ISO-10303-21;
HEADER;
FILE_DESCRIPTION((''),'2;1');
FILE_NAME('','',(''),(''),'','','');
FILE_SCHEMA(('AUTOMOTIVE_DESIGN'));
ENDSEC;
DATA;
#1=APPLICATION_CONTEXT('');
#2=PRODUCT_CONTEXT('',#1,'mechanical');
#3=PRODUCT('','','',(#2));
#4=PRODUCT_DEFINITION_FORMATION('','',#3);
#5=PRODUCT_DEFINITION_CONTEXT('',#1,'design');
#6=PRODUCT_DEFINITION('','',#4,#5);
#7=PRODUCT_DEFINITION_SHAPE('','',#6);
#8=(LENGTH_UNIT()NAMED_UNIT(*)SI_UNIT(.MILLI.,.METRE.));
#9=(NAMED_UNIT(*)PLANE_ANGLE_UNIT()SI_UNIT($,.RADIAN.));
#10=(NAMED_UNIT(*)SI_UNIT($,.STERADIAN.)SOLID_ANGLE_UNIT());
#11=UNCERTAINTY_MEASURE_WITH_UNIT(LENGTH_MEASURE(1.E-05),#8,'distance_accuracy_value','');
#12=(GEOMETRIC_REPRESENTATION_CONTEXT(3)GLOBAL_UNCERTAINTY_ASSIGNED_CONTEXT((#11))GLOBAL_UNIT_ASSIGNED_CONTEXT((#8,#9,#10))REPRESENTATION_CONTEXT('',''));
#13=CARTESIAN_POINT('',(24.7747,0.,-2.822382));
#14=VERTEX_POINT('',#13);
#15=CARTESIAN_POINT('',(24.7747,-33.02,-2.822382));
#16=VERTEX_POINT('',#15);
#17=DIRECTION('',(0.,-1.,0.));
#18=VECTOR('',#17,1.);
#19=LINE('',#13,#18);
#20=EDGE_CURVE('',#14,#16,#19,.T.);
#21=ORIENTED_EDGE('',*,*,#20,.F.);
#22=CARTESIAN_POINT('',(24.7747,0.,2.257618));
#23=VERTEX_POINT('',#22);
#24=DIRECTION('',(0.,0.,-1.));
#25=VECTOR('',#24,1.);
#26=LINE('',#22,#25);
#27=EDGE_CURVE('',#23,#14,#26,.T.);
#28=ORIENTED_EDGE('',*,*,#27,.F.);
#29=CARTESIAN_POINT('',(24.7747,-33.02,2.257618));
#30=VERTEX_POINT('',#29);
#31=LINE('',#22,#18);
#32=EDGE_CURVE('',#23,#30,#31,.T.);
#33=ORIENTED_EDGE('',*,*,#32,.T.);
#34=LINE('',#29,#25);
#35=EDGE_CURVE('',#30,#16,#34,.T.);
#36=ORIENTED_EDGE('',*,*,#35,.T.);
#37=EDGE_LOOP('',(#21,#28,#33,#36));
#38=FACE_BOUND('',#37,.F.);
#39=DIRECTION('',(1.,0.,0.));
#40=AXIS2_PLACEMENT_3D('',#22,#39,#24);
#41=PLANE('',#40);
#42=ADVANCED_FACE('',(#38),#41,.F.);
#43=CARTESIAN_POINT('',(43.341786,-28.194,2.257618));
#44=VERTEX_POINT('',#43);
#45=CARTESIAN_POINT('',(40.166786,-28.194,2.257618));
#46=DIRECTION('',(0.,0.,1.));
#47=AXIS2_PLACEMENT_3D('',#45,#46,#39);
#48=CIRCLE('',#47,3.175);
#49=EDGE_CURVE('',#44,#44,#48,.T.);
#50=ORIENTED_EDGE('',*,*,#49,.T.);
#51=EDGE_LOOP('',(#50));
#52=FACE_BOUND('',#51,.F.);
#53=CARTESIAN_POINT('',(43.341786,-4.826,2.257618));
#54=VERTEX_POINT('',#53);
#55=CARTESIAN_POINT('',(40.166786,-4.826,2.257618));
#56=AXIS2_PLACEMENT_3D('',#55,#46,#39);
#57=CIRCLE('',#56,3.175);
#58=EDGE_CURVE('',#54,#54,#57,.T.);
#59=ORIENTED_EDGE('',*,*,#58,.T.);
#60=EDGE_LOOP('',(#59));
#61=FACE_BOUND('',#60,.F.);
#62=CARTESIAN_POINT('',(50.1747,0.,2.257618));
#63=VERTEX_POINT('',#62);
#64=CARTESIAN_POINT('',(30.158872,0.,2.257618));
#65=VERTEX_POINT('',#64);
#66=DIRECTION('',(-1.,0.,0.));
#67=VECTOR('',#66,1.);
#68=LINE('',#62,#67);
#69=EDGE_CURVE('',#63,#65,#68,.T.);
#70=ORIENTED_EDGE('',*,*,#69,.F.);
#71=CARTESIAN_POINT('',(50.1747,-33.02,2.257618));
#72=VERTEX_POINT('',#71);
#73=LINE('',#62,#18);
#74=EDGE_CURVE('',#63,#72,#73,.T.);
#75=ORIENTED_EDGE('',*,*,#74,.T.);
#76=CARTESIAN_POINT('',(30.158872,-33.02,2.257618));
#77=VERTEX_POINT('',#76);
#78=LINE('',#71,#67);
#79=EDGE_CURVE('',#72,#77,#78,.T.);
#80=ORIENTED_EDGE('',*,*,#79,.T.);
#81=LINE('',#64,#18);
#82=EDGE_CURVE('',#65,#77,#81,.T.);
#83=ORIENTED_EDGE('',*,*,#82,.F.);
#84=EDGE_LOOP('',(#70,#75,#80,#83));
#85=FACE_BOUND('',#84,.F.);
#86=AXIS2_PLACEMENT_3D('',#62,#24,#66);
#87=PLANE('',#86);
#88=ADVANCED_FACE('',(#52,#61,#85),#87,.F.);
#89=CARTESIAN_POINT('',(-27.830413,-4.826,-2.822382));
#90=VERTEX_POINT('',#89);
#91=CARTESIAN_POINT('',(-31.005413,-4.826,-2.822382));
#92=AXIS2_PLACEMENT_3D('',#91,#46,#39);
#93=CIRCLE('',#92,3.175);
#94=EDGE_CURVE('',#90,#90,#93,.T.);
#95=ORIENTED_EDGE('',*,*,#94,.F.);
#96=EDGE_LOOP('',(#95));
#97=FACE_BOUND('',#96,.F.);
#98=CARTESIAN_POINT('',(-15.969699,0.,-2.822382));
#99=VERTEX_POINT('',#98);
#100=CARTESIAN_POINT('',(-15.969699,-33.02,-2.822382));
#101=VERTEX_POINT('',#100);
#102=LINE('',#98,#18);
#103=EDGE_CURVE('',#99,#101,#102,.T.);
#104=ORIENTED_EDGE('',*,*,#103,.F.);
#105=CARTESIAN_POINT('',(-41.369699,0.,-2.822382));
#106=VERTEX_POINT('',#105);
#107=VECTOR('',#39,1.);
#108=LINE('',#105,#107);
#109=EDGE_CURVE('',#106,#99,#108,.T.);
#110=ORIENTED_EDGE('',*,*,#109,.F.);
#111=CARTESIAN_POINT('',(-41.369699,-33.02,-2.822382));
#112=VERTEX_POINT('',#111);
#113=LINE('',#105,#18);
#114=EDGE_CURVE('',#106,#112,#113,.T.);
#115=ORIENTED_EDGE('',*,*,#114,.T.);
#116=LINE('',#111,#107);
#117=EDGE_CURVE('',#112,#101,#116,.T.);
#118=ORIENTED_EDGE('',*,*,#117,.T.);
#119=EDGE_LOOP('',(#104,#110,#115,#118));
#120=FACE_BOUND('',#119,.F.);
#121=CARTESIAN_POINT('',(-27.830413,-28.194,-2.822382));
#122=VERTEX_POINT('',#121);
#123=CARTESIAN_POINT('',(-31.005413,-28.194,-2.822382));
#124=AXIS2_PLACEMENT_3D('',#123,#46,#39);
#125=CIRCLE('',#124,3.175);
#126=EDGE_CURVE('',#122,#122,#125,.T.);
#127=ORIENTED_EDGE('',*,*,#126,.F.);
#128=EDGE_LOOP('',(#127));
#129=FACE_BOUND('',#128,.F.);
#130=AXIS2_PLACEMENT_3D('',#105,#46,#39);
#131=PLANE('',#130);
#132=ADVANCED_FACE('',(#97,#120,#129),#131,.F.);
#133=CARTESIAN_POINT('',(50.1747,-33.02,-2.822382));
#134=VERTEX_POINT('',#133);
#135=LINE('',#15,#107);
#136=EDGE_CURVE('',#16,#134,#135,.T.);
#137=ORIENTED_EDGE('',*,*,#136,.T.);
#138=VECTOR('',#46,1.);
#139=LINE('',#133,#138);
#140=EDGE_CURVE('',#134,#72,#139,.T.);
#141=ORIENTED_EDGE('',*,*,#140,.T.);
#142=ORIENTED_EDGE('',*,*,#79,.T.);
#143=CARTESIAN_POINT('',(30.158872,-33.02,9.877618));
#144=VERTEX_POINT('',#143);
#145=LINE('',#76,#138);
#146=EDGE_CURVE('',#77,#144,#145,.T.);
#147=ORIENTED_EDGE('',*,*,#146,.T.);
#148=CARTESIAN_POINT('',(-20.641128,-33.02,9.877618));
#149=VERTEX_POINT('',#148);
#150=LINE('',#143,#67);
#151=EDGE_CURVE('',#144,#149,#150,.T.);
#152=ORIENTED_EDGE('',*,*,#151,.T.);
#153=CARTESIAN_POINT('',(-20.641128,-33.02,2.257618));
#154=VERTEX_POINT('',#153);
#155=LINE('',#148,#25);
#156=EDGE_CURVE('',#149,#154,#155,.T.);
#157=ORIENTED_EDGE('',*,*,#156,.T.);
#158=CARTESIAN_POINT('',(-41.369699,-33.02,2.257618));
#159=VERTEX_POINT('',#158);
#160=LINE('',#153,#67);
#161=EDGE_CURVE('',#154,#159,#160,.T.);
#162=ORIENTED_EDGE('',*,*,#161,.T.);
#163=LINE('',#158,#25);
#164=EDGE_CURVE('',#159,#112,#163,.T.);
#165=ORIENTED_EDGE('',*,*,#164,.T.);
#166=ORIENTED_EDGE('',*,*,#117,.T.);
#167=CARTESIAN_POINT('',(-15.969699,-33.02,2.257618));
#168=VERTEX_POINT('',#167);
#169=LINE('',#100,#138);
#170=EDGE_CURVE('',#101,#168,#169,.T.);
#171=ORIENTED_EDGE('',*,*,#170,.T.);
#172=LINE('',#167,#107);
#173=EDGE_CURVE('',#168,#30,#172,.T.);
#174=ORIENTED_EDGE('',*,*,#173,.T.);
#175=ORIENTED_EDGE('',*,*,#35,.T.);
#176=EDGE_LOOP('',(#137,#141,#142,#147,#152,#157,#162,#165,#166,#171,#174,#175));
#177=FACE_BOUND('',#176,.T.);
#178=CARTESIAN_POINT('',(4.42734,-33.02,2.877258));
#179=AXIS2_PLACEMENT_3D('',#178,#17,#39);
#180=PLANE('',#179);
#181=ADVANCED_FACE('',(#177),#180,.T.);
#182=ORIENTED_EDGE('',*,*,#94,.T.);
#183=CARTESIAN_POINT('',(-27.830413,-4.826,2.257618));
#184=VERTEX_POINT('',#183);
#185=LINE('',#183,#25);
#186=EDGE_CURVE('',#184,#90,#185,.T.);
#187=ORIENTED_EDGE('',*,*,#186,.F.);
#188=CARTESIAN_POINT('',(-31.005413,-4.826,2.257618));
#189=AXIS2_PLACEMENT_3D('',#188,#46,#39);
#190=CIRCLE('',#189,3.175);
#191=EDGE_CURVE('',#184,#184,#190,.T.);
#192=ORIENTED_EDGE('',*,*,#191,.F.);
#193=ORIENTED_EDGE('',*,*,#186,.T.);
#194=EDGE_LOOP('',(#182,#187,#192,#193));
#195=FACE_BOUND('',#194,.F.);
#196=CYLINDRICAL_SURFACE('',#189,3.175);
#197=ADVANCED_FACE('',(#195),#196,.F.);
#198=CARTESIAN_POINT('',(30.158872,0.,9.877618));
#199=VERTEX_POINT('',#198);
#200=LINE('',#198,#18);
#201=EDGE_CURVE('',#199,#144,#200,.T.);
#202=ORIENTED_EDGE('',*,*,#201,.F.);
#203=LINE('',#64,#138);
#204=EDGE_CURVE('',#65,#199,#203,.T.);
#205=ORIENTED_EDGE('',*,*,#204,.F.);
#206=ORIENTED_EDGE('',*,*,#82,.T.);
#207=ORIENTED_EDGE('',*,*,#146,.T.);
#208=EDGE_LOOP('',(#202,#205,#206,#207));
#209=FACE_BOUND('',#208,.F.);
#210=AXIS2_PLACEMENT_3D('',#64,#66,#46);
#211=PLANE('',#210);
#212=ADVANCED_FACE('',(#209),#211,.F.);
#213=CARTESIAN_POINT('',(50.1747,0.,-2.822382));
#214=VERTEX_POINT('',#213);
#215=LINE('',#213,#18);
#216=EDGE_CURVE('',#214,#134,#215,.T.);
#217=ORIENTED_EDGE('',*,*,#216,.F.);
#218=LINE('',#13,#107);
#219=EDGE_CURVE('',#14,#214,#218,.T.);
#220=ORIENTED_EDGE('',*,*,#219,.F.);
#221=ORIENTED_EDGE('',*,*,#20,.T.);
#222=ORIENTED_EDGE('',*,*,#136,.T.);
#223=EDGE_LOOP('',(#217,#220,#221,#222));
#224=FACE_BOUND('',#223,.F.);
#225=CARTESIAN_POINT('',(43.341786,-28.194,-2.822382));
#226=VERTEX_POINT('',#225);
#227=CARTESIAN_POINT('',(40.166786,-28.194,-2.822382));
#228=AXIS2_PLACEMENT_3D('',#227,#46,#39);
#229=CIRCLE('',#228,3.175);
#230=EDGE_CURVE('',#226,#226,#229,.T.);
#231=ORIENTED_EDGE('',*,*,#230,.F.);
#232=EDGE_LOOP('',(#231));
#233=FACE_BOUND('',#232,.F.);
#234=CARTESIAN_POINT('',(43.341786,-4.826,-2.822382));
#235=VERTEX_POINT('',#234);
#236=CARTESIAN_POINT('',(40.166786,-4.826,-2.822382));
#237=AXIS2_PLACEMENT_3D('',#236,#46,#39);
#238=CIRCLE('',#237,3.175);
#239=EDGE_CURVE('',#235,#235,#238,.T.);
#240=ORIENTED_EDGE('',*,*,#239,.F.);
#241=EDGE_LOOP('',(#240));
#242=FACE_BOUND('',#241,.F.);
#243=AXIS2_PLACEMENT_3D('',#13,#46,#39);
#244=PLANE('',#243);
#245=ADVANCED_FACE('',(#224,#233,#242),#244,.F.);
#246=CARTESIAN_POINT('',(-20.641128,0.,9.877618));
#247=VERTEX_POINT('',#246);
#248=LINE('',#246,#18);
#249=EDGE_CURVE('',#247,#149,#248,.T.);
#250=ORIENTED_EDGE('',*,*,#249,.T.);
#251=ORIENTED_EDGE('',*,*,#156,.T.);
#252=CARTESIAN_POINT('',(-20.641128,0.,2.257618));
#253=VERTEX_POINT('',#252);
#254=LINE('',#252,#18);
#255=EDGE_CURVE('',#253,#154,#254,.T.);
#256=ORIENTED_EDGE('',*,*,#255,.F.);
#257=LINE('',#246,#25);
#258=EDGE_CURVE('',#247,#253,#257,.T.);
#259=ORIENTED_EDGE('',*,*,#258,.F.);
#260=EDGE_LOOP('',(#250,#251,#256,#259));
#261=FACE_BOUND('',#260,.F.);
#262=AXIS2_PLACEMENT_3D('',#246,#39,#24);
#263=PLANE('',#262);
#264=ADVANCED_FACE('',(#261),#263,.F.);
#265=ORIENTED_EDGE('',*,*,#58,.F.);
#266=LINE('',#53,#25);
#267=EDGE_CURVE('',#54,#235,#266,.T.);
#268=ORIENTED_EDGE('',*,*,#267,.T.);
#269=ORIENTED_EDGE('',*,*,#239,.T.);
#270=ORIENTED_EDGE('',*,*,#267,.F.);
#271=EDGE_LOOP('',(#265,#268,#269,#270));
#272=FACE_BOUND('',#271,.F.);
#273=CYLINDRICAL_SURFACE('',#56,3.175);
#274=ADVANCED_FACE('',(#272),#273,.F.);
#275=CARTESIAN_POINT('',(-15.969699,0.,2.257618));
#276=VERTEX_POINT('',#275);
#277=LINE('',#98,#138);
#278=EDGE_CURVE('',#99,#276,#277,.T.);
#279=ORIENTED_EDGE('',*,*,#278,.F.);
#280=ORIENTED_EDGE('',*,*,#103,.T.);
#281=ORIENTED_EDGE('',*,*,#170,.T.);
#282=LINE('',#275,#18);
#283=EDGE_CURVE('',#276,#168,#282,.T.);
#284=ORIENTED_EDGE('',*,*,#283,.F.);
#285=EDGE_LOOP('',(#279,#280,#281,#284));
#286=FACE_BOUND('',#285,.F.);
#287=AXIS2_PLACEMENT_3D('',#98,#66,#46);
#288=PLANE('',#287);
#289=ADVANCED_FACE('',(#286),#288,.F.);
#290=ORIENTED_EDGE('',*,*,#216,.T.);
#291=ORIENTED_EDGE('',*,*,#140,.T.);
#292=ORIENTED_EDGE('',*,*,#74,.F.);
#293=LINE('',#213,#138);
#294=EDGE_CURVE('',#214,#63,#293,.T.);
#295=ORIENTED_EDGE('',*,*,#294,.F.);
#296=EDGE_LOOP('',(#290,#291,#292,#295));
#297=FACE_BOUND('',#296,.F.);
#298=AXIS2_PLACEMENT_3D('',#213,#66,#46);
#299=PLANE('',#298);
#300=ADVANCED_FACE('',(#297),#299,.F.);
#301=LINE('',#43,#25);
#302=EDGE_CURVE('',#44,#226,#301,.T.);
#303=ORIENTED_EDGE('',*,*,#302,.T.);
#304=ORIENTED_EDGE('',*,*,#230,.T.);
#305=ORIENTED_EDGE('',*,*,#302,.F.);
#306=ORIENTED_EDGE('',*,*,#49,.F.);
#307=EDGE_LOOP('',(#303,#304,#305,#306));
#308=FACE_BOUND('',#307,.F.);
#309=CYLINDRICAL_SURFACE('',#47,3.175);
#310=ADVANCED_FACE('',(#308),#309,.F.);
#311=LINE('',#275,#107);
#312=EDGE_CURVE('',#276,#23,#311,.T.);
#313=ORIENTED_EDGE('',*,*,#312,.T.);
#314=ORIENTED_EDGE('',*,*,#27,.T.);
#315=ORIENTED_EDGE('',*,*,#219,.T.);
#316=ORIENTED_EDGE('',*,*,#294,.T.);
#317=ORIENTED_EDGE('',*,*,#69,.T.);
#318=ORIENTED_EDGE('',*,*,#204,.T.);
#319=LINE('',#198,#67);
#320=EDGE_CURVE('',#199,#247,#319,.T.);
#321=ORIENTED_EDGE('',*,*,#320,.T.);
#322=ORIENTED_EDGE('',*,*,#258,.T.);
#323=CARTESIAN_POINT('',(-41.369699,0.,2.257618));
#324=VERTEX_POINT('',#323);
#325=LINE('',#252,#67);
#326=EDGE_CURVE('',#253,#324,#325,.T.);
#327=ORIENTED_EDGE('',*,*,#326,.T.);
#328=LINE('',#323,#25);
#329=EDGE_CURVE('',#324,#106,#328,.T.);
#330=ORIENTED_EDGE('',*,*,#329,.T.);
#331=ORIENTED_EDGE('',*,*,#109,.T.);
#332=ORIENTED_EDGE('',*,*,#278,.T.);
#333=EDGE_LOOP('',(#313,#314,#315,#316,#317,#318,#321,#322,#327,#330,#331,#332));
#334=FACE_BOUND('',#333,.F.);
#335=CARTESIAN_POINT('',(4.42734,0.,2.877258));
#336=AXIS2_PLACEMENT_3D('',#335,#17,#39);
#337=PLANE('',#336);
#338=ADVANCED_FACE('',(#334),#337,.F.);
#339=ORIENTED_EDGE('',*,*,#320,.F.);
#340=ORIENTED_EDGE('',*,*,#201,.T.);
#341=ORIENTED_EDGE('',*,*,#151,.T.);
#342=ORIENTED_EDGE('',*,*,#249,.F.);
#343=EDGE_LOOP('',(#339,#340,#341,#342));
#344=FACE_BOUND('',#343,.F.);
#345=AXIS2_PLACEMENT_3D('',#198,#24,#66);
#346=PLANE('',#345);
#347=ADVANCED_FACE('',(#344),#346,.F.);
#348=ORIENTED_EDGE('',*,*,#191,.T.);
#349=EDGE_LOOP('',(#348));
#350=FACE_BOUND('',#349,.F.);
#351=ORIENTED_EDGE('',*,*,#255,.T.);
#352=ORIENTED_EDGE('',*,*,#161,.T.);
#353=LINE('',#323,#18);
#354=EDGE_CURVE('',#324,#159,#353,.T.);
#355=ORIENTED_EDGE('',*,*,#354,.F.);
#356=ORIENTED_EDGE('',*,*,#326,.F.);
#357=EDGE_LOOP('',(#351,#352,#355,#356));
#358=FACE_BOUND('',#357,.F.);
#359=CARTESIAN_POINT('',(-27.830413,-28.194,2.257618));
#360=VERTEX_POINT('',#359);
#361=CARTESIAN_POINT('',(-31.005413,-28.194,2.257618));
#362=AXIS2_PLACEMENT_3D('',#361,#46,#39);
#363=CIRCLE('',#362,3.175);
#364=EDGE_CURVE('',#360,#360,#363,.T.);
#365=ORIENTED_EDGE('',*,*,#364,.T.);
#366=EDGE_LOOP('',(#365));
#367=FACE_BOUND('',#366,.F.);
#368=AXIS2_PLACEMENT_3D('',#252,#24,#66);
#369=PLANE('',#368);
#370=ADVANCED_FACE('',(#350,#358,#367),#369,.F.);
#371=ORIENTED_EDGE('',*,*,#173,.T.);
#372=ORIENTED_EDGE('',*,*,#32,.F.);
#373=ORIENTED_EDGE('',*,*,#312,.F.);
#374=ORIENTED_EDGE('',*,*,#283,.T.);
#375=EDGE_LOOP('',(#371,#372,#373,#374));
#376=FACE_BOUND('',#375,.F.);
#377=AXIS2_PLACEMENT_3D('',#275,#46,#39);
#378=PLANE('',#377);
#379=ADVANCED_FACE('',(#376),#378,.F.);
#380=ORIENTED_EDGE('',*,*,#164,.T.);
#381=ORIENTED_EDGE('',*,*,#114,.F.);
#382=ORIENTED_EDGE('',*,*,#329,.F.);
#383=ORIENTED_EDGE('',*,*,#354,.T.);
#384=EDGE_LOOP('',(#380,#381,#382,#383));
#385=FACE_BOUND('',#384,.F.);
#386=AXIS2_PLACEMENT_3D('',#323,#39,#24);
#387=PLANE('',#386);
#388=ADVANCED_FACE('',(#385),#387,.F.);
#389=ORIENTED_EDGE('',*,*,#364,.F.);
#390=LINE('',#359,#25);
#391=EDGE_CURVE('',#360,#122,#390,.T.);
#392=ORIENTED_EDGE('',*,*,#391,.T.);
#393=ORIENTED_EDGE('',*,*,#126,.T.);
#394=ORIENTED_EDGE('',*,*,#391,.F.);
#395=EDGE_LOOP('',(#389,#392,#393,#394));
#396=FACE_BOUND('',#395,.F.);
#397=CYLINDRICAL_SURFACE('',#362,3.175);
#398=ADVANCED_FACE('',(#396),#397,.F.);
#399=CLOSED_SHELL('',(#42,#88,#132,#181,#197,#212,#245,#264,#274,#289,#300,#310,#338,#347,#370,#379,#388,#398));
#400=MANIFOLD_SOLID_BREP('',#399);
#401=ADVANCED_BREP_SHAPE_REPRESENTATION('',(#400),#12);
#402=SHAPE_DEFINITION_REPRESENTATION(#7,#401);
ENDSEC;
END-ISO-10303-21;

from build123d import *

# Parameters (mm, degrees)
F1_DEPTH = 33.02
F2_R     = 3.175
F3_DEPTH = 25.4
F4_R     = 3.175
F5_DEPTH = 25.4


with BuildPart() as f1:
    # F0 (on Front) → F1 (new body)
    with BuildSketch(Plane.XZ):
        Polygon((30.158872, 9.877618), (-20.641128, 9.877618), (-20.641128, 2.257618), (-41.369699, 2.257618), (-41.369699, -2.822382), (-15.969699, -2.822382), (-15.969699, 2.257618), (24.7747, 2.257618), (24.7747, -2.822382), (50.1747, -2.822382), (50.1747, 2.257618), (30.158872, 2.257618), align=None)
    extrude(amount=F1_DEPTH)

    # F2 (on face) → F3 (cut)
    with BuildSketch(Plane.XY.offset(2.257618)):
        with Locations((-31.005413, -28.194)):
            Circle(F2_R)
        with Locations((-31.005413, -4.826)):
            Circle(F2_R)
    extrude(amount=-F3_DEPTH, mode=Mode.SUBTRACT)

    # F4 (on face) → F5 (cut)
    with BuildSketch(Plane.XY.offset(2.257618)):
        with Locations((40.166786, -4.826)):
            Circle(F4_R)
        with Locations((40.166786, -28.194)):
            Circle(F4_R)
    extrude(amount=-F5_DEPTH, mode=Mode.SUBTRACT)


solid = f1.part
